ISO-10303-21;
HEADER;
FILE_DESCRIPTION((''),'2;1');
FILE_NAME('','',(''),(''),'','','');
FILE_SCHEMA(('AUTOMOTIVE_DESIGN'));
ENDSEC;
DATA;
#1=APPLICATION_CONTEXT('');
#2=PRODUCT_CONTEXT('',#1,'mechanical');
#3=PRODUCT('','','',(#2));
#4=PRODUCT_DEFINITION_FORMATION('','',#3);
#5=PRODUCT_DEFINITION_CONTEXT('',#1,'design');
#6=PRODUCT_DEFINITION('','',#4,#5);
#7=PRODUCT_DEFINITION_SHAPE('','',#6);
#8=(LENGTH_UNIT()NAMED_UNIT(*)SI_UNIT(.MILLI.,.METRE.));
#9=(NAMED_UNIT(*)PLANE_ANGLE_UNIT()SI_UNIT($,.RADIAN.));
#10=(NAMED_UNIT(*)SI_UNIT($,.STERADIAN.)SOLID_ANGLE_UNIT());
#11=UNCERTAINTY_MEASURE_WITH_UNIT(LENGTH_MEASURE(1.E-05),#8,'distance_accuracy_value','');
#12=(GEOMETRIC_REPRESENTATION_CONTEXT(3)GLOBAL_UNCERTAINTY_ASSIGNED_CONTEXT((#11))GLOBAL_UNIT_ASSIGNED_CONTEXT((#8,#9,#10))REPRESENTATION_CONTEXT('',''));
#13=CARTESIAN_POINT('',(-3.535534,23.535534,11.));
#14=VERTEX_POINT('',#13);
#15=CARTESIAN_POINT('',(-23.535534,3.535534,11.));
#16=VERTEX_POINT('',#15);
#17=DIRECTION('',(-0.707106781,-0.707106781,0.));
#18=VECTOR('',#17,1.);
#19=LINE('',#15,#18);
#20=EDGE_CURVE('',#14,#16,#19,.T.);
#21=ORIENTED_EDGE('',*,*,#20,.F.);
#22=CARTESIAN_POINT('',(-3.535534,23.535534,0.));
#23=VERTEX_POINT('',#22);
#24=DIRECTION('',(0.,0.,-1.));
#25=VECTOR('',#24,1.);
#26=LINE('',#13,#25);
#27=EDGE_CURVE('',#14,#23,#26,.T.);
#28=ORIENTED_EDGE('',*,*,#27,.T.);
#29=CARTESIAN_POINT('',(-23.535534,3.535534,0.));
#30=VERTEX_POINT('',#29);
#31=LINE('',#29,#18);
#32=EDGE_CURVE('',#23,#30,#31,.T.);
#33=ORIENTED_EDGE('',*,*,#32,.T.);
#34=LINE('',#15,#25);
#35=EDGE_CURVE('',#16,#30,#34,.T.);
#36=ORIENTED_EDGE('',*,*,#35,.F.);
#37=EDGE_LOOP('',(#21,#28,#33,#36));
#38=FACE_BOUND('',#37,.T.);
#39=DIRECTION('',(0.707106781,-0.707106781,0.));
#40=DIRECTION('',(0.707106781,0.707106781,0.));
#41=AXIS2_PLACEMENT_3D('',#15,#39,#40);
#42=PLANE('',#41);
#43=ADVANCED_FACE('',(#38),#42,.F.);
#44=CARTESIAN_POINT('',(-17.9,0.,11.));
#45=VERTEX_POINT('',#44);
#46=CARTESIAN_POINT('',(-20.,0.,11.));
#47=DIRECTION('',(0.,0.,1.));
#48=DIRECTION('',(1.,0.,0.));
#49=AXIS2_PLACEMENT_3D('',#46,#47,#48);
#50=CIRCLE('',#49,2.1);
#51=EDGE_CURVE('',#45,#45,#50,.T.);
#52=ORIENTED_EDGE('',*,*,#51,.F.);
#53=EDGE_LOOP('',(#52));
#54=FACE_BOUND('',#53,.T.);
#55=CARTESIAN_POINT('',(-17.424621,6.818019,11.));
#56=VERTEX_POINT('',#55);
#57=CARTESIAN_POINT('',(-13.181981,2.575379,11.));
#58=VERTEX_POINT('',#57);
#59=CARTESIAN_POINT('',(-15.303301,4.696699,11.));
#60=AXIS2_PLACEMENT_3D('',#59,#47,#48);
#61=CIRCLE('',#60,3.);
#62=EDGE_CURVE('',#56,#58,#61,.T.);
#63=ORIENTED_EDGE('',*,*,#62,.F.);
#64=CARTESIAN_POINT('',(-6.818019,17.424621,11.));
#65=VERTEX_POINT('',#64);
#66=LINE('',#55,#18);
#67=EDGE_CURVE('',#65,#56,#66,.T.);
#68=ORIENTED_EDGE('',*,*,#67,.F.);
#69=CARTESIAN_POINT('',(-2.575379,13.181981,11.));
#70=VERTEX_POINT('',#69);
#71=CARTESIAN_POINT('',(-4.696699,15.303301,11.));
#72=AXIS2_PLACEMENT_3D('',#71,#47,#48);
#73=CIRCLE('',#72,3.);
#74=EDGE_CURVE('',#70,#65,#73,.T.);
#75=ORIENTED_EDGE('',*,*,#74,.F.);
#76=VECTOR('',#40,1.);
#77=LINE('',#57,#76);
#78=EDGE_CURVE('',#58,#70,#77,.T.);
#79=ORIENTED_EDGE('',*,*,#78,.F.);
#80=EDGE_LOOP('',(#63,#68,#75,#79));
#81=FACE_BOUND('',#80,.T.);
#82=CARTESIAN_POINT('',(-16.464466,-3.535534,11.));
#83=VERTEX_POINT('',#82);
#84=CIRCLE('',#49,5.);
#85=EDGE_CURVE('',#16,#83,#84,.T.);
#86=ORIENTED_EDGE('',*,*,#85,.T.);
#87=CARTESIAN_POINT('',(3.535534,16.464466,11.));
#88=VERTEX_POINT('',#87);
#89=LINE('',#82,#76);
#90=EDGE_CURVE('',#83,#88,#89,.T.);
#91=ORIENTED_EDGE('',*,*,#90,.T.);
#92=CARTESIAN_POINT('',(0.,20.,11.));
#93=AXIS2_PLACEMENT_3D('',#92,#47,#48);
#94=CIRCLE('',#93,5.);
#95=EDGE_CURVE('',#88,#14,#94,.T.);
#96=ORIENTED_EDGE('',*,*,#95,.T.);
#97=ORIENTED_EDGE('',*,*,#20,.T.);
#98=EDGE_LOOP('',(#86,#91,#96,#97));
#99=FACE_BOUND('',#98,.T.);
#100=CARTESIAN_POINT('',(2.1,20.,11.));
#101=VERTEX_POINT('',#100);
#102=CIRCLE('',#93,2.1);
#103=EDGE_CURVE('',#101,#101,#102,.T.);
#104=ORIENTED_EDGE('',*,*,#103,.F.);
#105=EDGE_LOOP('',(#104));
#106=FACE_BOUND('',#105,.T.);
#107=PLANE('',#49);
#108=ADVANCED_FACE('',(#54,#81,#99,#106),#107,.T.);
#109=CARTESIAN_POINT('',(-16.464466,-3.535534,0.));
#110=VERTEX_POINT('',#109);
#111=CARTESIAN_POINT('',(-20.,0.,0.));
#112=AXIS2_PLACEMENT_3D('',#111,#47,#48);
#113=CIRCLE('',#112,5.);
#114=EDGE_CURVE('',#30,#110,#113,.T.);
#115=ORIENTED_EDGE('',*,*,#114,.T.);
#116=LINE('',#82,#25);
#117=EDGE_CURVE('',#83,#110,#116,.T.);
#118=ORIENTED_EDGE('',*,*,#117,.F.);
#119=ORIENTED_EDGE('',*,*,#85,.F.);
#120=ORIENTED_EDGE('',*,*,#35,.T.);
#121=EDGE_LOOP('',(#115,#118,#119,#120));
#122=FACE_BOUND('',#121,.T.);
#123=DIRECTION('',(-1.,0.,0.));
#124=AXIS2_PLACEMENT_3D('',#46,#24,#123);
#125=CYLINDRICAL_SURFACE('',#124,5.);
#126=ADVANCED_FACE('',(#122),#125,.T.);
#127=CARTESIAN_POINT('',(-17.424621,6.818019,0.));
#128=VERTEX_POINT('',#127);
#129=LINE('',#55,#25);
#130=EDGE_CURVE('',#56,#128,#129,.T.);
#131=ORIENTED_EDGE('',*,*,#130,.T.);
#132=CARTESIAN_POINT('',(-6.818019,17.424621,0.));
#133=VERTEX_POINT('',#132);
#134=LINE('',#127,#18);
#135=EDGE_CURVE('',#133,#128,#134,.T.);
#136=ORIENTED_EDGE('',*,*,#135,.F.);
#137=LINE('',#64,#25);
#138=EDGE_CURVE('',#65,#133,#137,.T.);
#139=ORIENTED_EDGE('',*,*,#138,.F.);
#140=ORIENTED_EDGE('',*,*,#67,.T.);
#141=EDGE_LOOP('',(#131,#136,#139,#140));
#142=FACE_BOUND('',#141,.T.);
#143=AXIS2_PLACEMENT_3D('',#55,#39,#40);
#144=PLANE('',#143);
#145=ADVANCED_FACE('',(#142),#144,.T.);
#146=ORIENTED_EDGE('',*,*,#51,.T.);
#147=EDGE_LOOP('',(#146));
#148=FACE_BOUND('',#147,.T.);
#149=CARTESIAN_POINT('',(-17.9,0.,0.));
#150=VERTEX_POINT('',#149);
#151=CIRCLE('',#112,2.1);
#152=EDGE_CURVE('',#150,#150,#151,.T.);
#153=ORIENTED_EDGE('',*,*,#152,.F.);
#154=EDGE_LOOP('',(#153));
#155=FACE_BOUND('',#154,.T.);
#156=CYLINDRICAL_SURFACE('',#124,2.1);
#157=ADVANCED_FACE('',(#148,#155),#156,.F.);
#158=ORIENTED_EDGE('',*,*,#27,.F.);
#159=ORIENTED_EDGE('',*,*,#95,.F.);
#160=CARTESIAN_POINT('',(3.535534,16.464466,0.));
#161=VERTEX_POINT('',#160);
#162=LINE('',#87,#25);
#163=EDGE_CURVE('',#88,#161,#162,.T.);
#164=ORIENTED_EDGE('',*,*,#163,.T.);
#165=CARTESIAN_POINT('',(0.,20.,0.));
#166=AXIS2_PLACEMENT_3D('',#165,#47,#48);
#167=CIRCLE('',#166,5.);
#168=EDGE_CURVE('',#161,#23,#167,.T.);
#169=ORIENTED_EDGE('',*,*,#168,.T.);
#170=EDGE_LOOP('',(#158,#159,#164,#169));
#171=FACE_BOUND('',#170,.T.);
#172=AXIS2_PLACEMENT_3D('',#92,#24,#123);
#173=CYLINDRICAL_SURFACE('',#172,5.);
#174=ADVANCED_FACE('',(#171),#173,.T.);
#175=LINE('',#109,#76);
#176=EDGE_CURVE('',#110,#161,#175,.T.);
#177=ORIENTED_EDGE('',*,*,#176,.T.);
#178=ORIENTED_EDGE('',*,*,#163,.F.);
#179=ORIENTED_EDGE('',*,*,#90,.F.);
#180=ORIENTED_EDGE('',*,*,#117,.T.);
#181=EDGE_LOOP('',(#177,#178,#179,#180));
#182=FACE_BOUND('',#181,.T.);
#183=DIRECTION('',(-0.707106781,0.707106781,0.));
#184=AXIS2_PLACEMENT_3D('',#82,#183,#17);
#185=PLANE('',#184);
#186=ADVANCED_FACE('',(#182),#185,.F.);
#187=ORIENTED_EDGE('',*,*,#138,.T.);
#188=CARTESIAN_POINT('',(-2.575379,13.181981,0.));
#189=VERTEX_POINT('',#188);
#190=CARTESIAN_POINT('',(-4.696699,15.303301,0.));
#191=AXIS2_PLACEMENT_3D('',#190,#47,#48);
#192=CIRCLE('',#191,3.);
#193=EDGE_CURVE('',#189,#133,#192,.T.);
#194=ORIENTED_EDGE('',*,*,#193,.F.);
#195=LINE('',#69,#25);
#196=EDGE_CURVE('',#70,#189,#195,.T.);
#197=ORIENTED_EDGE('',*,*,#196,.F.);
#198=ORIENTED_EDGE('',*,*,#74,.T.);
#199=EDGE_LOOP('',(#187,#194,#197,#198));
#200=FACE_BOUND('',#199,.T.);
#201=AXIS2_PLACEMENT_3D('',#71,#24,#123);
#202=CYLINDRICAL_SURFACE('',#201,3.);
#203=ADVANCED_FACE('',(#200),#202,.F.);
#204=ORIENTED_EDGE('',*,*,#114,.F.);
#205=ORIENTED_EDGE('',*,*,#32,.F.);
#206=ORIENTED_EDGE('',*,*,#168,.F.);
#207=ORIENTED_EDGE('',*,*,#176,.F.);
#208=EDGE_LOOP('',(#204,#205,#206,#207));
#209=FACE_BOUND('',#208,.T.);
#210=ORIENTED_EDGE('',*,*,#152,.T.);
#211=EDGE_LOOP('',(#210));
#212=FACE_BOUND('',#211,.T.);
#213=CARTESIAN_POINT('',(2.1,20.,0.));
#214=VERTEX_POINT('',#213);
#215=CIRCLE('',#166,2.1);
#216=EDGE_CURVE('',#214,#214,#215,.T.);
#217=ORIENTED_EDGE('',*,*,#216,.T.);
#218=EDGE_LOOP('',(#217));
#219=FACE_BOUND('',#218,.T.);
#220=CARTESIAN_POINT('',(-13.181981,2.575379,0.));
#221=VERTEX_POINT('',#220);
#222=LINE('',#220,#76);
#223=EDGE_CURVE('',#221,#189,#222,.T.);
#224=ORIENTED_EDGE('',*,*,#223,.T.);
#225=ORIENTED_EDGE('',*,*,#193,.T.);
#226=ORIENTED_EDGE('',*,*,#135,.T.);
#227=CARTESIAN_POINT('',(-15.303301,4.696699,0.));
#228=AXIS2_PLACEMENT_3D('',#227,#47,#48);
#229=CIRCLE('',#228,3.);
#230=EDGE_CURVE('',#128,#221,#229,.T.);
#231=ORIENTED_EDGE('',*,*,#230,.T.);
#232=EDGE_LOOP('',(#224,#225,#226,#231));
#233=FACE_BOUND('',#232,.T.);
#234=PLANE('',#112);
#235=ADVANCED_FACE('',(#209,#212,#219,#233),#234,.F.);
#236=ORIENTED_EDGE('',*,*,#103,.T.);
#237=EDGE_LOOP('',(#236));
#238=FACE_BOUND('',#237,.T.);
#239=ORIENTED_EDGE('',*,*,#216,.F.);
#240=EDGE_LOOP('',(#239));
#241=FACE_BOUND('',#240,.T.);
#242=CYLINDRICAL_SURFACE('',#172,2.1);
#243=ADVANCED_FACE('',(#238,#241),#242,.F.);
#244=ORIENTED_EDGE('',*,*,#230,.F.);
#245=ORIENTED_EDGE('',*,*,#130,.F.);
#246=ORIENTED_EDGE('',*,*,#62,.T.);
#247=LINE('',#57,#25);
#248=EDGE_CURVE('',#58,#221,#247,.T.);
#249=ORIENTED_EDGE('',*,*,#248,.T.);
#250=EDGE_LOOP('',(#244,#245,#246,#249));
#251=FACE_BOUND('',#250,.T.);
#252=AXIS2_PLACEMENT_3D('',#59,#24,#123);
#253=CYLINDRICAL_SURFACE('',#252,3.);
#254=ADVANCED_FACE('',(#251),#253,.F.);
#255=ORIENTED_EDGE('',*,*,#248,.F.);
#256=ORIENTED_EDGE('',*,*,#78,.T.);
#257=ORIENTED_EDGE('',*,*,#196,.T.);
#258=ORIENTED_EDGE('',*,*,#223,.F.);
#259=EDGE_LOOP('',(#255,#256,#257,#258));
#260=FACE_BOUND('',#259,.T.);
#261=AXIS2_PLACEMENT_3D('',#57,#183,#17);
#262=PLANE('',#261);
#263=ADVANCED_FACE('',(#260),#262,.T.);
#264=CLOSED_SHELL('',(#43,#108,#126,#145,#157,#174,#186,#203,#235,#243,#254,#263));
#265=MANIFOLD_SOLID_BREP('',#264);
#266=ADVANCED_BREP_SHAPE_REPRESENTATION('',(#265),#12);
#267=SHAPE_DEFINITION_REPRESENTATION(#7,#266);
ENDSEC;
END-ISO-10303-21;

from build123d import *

# Parameters (mm, degrees)
ESQUISSE1_R        = 2.1
BOSS_EXTRU_1_DEPTH = 11


with BuildPart() as part:
    # Esquisse1 → Boss.-Extru.1 (new body)
    with BuildSketch(Plane.XY):
        with BuildLine():
            Line((-23.535533906, 3.535533906), (-3.535533906, 23.535533906))
            ThreePointArc((-3.535533906, 23.535533906), (3.535533906, 23.535533906), (3.535533906, 16.464466094))
            Line((3.535533906, 16.464466094), (-16.464466094, -3.535533906))
            ThreePointArc((-16.464466094, -3.535533906), (-23.535533906, -3.535533906), (-23.535533906, 3.535533906))
        make_face()
        with Locations((-20, 0)):
            Circle(ESQUISSE1_R, mode=Mode.SUBTRACT)
        with Locations((0, 20)):
            Circle(ESQUISSE1_R, mode=Mode.SUBTRACT)
        with BuildLine():
            Line((-17.424621202, 6.818019485), (-6.818019485, 17.424621202))
            ThreePointArc((-6.818019485, 17.424621202), (-2.575378798, 17.424621202), (-2.575378798, 13.181980515))
            Line((-2.575378798, 13.181980515), (-13.181980515, 2.575378798))
            ThreePointArc((-13.181980515, 2.575378798), (-17.424621202, 2.575378798), (-17.424621202, 6.818019485))
        make_face(mode=Mode.SUBTRACT)
    extrude(amount=BOSS_EXTRU_1_DEPTH)


solid = part.part
